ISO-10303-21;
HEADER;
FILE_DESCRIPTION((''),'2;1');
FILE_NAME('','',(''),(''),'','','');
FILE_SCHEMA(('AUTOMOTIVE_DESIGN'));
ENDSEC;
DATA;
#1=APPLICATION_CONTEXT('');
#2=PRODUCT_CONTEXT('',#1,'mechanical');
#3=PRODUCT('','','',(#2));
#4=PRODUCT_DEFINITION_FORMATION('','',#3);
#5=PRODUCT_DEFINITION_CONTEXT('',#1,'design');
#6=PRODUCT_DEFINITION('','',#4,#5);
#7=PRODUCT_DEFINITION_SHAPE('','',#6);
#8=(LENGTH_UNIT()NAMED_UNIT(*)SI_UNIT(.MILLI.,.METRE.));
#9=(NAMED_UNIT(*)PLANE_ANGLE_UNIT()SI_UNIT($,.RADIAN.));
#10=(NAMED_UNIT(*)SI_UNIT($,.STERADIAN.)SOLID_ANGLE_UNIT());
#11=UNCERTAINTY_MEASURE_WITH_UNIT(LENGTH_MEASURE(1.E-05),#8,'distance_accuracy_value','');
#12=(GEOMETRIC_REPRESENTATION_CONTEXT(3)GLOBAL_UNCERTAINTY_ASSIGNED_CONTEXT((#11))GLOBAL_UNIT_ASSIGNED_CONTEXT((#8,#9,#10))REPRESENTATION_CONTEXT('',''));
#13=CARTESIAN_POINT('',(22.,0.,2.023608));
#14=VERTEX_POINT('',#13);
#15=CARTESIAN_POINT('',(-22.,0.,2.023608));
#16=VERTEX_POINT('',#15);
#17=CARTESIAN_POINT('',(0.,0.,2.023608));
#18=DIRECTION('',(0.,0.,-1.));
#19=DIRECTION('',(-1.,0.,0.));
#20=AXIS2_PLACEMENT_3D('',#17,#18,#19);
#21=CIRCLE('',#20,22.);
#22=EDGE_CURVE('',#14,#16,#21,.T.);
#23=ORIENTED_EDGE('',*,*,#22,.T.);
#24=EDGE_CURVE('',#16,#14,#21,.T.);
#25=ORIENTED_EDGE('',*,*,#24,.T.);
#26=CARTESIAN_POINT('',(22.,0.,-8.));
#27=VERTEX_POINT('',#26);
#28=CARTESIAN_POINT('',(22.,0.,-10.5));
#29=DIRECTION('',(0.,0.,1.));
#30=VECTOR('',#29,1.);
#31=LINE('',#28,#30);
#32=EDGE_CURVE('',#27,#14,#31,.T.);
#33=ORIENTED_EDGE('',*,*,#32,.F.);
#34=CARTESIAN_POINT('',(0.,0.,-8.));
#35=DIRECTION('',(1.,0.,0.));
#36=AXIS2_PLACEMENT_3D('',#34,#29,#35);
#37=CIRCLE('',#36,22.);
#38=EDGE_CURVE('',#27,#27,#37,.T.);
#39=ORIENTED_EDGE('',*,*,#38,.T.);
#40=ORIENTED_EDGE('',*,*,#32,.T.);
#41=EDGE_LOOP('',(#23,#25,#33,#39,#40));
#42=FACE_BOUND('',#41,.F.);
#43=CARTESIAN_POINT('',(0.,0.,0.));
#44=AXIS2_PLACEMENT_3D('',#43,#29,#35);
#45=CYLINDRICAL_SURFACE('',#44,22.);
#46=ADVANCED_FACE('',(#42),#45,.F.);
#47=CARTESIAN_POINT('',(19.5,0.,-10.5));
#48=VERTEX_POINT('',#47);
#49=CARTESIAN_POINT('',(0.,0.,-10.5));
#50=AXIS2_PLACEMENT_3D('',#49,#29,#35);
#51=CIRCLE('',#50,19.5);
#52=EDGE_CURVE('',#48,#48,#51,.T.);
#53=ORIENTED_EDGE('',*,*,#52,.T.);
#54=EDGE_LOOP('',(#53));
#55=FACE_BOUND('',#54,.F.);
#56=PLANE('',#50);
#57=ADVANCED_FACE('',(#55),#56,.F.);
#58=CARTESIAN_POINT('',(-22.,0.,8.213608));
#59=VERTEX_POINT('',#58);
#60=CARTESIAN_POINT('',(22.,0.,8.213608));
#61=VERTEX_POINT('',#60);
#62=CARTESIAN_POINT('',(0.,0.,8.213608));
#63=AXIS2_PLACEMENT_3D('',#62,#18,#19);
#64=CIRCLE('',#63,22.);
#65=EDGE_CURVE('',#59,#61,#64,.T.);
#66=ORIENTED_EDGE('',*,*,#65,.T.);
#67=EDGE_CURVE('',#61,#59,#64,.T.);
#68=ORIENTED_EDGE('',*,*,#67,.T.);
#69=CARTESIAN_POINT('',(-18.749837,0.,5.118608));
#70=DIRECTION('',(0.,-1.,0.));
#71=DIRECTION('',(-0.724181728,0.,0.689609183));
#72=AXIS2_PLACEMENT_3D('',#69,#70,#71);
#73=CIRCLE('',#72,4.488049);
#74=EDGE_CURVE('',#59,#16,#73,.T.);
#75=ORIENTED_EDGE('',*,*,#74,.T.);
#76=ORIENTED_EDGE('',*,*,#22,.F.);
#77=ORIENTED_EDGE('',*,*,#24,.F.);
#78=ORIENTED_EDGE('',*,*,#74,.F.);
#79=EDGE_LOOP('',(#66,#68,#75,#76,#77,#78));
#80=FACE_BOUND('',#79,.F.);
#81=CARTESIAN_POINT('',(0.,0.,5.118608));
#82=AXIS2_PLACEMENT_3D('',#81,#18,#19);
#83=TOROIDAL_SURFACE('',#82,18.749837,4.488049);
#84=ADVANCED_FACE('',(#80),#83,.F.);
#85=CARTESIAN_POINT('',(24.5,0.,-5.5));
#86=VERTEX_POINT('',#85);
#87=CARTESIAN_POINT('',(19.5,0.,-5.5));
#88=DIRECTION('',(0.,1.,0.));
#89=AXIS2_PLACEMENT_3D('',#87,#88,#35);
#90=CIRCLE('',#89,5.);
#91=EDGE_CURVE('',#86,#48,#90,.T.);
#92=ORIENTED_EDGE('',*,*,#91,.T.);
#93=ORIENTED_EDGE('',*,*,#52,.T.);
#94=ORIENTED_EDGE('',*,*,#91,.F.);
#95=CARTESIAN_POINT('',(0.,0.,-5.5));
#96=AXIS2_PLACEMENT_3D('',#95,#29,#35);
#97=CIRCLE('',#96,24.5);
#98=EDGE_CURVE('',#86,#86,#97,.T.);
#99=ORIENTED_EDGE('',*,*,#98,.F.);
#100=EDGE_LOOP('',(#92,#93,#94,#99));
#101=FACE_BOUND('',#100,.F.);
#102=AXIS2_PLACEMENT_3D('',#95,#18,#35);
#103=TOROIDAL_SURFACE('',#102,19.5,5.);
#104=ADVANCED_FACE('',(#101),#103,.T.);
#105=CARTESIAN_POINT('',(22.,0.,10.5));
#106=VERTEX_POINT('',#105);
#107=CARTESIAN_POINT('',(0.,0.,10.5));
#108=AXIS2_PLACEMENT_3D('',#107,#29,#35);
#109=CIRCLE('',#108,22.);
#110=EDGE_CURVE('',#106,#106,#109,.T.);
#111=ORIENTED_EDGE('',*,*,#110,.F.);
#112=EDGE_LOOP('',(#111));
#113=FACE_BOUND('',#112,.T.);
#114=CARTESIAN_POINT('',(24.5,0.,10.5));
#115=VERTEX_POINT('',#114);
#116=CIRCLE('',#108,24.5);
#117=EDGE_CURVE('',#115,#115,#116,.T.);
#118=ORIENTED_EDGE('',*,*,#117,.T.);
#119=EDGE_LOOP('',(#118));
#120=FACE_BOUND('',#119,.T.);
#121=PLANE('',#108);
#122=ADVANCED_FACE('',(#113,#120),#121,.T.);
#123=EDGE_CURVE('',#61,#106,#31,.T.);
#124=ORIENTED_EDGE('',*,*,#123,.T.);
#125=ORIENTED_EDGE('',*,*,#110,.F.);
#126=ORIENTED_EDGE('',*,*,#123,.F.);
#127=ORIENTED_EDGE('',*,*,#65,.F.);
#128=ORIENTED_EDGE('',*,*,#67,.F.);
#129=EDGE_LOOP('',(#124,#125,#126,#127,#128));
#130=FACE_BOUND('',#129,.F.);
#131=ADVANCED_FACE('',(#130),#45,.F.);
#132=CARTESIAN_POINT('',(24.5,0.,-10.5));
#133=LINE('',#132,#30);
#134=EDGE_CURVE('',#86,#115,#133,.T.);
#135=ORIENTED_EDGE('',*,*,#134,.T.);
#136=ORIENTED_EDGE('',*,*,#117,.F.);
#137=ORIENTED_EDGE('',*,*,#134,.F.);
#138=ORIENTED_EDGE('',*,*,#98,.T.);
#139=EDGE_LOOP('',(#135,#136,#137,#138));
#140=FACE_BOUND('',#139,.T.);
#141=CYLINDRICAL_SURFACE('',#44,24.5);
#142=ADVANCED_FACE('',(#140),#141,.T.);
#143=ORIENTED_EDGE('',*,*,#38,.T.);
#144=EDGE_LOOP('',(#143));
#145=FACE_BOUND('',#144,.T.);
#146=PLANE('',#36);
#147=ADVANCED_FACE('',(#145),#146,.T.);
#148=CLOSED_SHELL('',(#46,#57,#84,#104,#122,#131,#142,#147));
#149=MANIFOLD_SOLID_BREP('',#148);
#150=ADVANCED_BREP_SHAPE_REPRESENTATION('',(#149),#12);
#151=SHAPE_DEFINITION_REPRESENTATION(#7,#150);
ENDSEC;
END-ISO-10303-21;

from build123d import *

# Parameters (mm, degrees)
F0_R     = 24.5
F1_DEPTH = 10.5
F2_T     = -2.5
F5_R     = 5


with BuildPart() as f1:
    # F0 (on Top) → F1 (new body, symmetric)
    with BuildSketch(Plane.XY):
        Circle(F0_R)
    extrude(amount=F1_DEPTH, both=True)

    # F2
    f2_openings = [f1.faces().sort_by_distance(p)[0] for p in [
        (0, 0, 10.5),
    ]]
    offset(amount=F2_T, openings=f2_openings)

    # F3 (on Front) → F4 (revolve, cut)
    with BuildSketch(Plane.XZ):
        with BuildLine():
            Line((-22, 2.023608), (-22, 8.213608))
            ThreePointArc((-22, 8.213608), (-23.237886, 5.118608), (-22, 2.023608))
        make_face()
    revolve(axis=Axis((0, 0, 3.342178), (0, 0, -1)), mode=Mode.SUBTRACT)

    # F5
    f5_edges = [f1.edges().sort_by_distance(p)[0] for p in [
        (-24.5, 0, -10.5),
    ]]
    fillet(f5_edges, radius=F5_R)


solid = f1.part
